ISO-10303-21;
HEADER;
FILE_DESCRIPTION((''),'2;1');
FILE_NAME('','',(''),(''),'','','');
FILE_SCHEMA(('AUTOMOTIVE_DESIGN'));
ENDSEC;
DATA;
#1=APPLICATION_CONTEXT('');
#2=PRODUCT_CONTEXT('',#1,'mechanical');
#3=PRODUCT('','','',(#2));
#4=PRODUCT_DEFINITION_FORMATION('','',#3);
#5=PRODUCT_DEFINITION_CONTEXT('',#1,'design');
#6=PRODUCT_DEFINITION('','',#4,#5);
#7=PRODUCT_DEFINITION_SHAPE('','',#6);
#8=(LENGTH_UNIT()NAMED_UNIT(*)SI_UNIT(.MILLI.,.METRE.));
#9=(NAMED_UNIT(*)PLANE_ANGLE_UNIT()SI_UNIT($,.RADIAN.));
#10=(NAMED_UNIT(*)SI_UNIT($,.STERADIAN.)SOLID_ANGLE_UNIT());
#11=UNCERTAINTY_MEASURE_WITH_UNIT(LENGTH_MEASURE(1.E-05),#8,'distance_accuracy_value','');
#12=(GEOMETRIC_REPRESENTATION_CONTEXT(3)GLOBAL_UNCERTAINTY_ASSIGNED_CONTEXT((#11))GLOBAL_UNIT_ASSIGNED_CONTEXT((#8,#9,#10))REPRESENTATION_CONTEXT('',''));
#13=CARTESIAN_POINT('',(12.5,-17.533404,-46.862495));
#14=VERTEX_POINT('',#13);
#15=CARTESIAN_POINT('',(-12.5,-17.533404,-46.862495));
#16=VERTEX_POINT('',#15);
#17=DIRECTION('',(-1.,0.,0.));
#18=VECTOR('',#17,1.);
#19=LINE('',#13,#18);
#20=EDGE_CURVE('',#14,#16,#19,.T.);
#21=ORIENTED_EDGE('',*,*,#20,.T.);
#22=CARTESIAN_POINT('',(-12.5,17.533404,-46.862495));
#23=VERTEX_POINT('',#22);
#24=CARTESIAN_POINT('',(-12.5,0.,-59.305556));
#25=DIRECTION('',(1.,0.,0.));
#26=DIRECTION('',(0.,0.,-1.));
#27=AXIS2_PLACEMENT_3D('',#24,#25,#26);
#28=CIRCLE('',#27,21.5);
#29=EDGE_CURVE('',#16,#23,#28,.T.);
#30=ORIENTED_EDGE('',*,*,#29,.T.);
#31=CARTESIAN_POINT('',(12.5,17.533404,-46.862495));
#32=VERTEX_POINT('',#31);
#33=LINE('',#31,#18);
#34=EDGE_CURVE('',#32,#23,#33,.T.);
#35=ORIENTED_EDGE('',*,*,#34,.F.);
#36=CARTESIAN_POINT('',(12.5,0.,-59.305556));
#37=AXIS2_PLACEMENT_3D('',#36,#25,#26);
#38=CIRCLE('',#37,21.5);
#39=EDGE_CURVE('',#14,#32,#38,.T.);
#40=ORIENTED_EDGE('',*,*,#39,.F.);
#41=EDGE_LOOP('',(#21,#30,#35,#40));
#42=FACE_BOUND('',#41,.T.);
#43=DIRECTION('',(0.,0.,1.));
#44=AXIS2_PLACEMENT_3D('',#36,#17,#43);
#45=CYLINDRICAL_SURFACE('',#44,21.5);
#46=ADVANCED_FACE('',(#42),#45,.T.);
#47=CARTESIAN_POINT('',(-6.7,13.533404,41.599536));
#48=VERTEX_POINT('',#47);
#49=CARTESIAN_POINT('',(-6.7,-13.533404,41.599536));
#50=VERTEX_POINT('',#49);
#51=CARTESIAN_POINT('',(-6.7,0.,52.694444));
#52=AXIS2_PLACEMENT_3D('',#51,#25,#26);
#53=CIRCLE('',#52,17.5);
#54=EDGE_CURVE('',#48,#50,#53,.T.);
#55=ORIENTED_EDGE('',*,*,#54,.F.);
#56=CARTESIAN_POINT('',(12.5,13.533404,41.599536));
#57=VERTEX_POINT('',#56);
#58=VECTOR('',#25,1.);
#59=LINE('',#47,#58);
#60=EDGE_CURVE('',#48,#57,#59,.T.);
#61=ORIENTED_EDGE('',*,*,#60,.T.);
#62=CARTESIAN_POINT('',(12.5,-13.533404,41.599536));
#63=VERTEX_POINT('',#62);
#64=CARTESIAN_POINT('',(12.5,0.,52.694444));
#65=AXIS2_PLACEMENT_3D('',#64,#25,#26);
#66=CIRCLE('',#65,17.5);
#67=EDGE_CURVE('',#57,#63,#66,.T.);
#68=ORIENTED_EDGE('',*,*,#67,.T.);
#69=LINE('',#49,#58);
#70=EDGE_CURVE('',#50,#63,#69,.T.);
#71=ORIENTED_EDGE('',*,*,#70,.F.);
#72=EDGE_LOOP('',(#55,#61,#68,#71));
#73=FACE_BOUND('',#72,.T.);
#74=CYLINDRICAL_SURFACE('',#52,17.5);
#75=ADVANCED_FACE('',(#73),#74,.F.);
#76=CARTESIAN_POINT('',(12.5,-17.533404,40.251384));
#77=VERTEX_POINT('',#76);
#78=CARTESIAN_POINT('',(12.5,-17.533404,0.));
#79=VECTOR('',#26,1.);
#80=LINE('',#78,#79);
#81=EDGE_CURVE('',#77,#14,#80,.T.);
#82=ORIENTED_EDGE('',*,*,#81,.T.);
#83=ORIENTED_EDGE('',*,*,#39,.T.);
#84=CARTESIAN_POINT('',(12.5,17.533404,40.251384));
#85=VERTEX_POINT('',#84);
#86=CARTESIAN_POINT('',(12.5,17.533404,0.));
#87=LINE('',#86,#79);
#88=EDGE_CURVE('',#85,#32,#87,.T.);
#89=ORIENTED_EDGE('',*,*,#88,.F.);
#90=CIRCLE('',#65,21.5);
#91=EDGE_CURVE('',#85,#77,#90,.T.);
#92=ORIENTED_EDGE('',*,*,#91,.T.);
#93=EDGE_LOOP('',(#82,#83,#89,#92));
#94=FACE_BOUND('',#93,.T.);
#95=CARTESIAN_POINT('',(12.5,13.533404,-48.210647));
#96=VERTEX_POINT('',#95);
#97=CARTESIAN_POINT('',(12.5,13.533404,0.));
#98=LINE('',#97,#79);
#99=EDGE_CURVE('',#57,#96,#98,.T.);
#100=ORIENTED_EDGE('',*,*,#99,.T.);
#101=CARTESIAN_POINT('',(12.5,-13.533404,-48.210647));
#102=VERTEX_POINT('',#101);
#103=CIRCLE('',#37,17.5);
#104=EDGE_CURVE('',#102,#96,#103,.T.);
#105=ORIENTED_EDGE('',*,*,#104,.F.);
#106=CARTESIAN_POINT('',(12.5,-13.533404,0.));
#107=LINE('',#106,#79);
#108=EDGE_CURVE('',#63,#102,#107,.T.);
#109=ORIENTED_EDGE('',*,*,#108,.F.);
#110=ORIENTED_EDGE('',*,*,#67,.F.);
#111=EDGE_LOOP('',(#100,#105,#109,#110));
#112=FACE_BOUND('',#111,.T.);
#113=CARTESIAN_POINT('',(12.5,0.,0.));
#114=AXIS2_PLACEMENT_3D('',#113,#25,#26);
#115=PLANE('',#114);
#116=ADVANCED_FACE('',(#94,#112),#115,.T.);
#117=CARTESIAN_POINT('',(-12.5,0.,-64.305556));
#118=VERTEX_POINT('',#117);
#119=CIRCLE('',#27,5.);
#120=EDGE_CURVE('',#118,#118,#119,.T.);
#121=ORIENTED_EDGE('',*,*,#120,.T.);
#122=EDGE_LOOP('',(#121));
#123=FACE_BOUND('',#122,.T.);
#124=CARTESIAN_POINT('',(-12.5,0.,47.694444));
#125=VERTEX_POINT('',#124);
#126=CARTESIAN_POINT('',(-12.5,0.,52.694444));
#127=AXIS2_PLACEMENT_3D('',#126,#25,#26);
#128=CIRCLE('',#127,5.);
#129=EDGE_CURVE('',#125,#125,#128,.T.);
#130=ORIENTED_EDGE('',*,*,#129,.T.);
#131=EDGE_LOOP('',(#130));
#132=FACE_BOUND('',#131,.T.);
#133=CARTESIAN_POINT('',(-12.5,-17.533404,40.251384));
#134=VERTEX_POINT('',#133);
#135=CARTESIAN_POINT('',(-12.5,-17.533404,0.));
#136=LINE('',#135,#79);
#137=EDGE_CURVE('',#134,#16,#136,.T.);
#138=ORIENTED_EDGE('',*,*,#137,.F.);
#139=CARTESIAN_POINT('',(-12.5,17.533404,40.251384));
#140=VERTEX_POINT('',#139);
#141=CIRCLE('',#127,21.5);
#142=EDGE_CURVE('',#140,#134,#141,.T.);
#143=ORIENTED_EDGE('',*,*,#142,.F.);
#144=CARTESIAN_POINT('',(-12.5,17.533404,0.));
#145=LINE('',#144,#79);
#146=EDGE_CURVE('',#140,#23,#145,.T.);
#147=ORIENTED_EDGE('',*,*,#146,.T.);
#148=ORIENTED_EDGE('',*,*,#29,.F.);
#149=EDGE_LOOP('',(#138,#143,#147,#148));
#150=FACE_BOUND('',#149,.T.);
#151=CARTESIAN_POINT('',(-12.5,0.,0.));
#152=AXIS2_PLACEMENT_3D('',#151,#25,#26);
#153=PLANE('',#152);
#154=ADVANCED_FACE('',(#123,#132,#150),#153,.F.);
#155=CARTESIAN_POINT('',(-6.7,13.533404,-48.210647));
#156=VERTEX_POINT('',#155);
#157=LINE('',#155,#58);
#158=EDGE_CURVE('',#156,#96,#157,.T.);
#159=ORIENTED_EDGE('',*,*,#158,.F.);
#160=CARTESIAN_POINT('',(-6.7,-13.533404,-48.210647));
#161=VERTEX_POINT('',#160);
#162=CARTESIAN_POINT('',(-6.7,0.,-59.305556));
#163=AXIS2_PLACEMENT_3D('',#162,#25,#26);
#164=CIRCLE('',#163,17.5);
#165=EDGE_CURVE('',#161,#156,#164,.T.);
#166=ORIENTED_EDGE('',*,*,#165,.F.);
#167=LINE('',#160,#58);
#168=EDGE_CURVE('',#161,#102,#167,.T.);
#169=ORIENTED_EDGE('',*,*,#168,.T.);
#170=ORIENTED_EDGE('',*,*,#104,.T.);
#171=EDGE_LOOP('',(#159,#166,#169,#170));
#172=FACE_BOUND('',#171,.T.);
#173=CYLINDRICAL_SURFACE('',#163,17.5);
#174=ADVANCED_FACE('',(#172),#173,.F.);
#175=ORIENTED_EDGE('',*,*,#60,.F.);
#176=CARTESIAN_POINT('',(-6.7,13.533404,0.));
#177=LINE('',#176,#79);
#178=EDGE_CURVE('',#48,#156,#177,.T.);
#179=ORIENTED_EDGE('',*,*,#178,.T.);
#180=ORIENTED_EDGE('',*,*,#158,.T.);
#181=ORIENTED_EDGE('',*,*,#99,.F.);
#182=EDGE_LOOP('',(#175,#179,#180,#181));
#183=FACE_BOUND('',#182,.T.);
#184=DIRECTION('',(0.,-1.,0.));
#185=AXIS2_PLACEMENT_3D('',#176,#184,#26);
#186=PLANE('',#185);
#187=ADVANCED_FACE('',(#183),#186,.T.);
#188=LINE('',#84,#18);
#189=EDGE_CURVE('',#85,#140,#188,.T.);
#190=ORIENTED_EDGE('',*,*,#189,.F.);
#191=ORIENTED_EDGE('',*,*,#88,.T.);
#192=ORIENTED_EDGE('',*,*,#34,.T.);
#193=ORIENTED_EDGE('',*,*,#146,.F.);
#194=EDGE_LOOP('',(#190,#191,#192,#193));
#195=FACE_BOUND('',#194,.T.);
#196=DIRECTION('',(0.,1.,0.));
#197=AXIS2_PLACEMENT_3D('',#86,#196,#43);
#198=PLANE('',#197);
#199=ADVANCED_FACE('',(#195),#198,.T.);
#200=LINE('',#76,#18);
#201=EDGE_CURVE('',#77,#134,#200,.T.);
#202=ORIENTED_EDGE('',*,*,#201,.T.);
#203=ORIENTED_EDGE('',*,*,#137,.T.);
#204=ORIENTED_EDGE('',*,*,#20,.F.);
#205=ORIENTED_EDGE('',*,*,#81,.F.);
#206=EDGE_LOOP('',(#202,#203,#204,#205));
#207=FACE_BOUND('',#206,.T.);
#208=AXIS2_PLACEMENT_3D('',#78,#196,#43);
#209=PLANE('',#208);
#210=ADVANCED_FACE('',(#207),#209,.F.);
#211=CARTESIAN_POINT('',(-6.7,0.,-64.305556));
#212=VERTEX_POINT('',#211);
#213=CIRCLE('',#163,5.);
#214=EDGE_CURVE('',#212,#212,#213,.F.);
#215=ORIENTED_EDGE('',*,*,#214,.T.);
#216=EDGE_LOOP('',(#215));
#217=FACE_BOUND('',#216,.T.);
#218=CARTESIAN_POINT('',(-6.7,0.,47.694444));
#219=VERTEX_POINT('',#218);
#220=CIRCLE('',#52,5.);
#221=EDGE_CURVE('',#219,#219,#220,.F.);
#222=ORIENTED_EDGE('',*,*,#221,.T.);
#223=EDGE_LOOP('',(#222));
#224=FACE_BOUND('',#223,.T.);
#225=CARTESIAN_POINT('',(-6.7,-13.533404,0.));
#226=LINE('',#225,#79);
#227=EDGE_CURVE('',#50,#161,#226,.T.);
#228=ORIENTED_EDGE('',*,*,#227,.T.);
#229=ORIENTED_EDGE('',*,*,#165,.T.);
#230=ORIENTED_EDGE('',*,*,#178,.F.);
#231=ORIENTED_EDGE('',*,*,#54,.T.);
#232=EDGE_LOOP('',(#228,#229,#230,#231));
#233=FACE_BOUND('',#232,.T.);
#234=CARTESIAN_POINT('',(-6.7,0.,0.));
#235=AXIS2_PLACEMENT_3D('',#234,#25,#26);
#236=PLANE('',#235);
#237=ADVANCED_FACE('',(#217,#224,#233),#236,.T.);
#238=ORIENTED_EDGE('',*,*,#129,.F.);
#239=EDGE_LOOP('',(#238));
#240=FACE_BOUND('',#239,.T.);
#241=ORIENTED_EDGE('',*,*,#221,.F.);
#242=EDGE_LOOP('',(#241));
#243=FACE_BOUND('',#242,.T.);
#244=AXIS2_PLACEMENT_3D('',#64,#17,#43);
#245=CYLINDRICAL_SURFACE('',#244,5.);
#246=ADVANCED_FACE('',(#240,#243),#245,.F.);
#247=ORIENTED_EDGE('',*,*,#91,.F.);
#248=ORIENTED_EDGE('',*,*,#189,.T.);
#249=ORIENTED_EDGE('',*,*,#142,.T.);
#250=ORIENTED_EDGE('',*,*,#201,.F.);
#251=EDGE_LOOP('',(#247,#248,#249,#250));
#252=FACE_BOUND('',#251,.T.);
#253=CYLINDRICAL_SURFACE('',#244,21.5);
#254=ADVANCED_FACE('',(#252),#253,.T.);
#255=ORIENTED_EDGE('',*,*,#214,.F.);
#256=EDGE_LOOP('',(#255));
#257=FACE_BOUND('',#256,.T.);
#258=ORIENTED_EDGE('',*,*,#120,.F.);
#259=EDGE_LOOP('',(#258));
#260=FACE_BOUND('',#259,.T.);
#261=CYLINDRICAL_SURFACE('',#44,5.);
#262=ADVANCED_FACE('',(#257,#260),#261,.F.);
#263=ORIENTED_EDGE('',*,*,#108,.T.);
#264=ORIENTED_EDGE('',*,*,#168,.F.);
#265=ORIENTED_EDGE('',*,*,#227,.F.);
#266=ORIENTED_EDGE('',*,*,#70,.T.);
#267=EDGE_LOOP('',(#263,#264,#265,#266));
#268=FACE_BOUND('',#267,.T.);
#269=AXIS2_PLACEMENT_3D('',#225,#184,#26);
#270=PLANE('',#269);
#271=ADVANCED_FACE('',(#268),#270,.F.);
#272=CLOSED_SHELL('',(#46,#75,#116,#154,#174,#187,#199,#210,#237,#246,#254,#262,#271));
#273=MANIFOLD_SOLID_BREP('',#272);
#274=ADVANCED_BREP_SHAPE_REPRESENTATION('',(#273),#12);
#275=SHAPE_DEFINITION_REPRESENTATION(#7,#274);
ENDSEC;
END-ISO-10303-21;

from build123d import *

# Parameters (mm, degrees)
CROQUIS1_R              = 5
SALIENTE_EXTRUIR1_DEPTH = 12.5
CORTAR_EXTRUIR1_START   = -19.2
CROQUIS2_R              = 5
CORTAR_EXTRUIR1_DEPTH   = 19.2


with BuildPart() as part:
    # Croquis1 → Saliente-Extruir1 (new, symmetric)
    # profile 1 of 5: a face of its own
    with BuildSketch(Plane(origin=(0, 0, 0), x_dir=(0, 0, -1), z_dir=(1, 0, 0))):
        with BuildLine():
            Line((-46.862494928, -17.533403612), (-46.862494928, 17.533403612))
            Line((-46.862494928, 17.533403612), (-40.251383817, 17.533403612))
            ThreePointArc((-40.251383817, 17.533403612), (-74.194444444, 0), (-40.251383817, -17.533403612))
            Line((-40.251383817, -17.533403612), (-46.862494928, -17.533403612))
        make_face()
        with Locations((-52.694444444, 0)):
            Circle(CROQUIS1_R, mode=Mode.SUBTRACT)
    # profile 2 of 5: a face of its own
    with BuildSketch(Plane(origin=(0, 0, 0), x_dir=(0, 0, -1), z_dir=(1, 0, 0))):
        with BuildLine():
            Line((-40.251383817, 17.533403612), (-46.862494928, 17.533403612))
            Line((-46.862494928, 17.533403612), (-46.862494928, -17.533403612))
            Line((-46.862494928, -17.533403612), (-40.251383817, -17.533403612))
            ThreePointArc((-40.251383817, -17.533403612), (-33.592405241, -9.867223432), (-31.194444444, 0))
            ThreePointArc((-31.194444444, 0), (-33.592405241, 9.867223432), (-40.251383817, 17.533403612))
        make_face()
    # profile 3 of 5: a face of its own
    with BuildSketch(Plane(origin=(0, 0, 0), x_dir=(0, 0, -1), z_dir=(1, 0, 0))):
        with BuildLine():
            Line((46.862494928, 17.533403612), (-40.251383817, 17.533403612))
            ThreePointArc((-40.251383817, 17.533403612), (-33.592405241, 9.867223432), (-31.194444444, 0))
            ThreePointArc((-31.194444444, 0), (-33.592405241, -9.867223432), (-40.251383817, -17.533403612))
            Line((-40.251383817, -17.533403612), (46.862494928, -17.533403612))
            ThreePointArc((46.862494928, -17.533403612), (37.805555556, 0), (46.862494928, 17.533403612))
        make_face()
    # profile 4 of 5: a face of its own
    with BuildSketch(Plane(origin=(0, 0, 0), x_dir=(0, 0, -1), z_dir=(1, 0, 0))):
        with BuildLine():
            Line((46.862494928, -17.533403612), (46.862494928, 17.533403612))
            ThreePointArc((46.862494928, 17.533403612), (37.805555556, 0), (46.862494928, -17.533403612))
        make_face()
    # profile 5 of 5: a face of its own
    with BuildSketch(Plane(origin=(0, 0, 0), x_dir=(0, 0, -1), z_dir=(1, 0, 0))):
        with BuildLine():
            ThreePointArc((80.805555556, 0), (69.172778987, 19.102039204), (46.862494928, 17.533403612))
            Line((46.862494928, 17.533403612), (46.862494928, -17.533403612))
            ThreePointArc((46.862494928, -17.533403612), (69.172778987, -19.102039204), (80.805555556, 0))
        make_face()
        with Locations((59.305555556, 0)):
            Circle(CROQUIS1_R, mode=Mode.SUBTRACT)
    extrude(amount=SALIENTE_EXTRUIR1_DEPTH, both=True)

    # Croquis2 → Cortar-Extruir1 (cut)
    # profile 1 of 7: a face of its own
    with BuildSketch(Plane(origin=(12.5, 0, 0), x_dir=(0, 0, -1), z_dir=(1, 0, 0)).offset(CORTAR_EXTRUIR1_START)):
        with BuildLine():
            Line((-61.940275078, -13.533403612), (-61.940275078, 13.533403612))
            Line((-61.940275078, 13.533403612), (-41.599536302, 13.533403612))
            ThreePointArc((-41.599536302, 13.533403612), (-70.194444444, 0), (-41.599536302, -13.533403612))
            Line((-41.599536302, -13.533403612), (-61.940275078, -13.533403612))
        make_face()
    # profile 2 of 7: a face of its own
    with BuildSketch(Plane(origin=(12.5, 0, 0), x_dir=(0, 0, -1), z_dir=(1, 0, 0)).offset(CORTAR_EXTRUIR1_START)):
        with BuildLine():
            Line((-41.599536302, 13.533403612), (-61.940275078, 13.533403612))
            Line((-61.940275078, 13.533403612), (-61.940275078, -13.533403612))
            Line((-61.940275078, -13.533403612), (-41.599536302, -13.533403612))
            ThreePointArc((-41.599536302, -13.533403612), (-36.876560697, -7.486291055), (-35.194444444, 0))
            ThreePointArc((-35.194444444, 0), (-36.876560697, 7.486291055), (-41.599536302, 13.533403612))
        make_face()
        with Locations((-52.694444444, 0)):
            Circle(CROQUIS2_R, mode=Mode.SUBTRACT)
    # profile 3 of 7: a face of its own
    with BuildSketch(Plane(origin=(12.5, 0, 0), x_dir=(0, 0, -1), z_dir=(1, 0, 0)).offset(CORTAR_EXTRUIR1_START)):
        with BuildLine():
            Line((48.210647414, 13.533403612), (-41.599536302, 13.533403612))
            ThreePointArc((-41.599536302, 13.533403612), (-36.876560697, 7.486291055), (-35.194444444, 0))
            ThreePointArc((-35.194444444, 0), (-36.876560697, -7.486291055), (-41.599536302, -13.533403612))
            Line((-41.599536302, -13.533403612), (48.210647414, -13.533403612))
            ThreePointArc((48.210647414, -13.533403612), (41.805555556, 0), (48.210647414, 13.533403612))
        make_face()
    # profile 4 of 7: a face of its own
    with BuildSketch(Plane(origin=(12.5, 0, 0), x_dir=(0, 0, -1), z_dir=(1, 0, 0)).offset(CORTAR_EXTRUIR1_START)):
        with BuildLine():
            ThreePointArc((76.805555556, 0), (66.79184661, 15.817883747), (48.210647414, 13.533403612))
            Line((48.210647414, 13.533403612), (61.940275078, 13.533403612))
            Line((61.940275078, 13.533403612), (61.940275078, 4.249500328))
            ThreePointArc((61.940275078, 4.249500328), (63.67439966, 2.431707465), (64.305555556, 0))
            ThreePointArc((64.305555556, 0), (63.67439966, -2.431707465), (61.940275078, -4.249500328))
            Line((61.940275078, -4.249500328), (61.940275078, -13.533403612))
            Line((61.940275078, -13.533403612), (48.210647414, -13.533403612))
            ThreePointArc((48.210647414, -13.533403612), (66.79184661, -15.817883747), (76.805555556, 0))
        make_face()
    # profile 5 of 7: a face of its own
    with BuildSketch(Plane(origin=(12.5, 0, 0), x_dir=(0, 0, -1), z_dir=(1, 0, 0)).offset(CORTAR_EXTRUIR1_START)):
        with BuildLine():
            Line((61.940275078, 13.533403612), (48.210647414, 13.533403612))
            ThreePointArc((48.210647414, 13.533403612), (41.805555556, 0), (48.210647414, -13.533403612))
            Line((48.210647414, -13.533403612), (61.940275078, -13.533403612))
            Line((61.940275078, -13.533403612), (61.940275078, -4.249500328))
            ThreePointArc((61.940275078, -4.249500328), (54.305555556, 0), (61.940275078, 4.249500328))
            Line((61.940275078, 4.249500328), (61.940275078, 13.533403612))
        make_face()
    # profile 6 of 7: a face of its own
    with BuildSketch(Plane(origin=(12.5, 0, 0), x_dir=(0, 0, -1), z_dir=(1, 0, 0)).offset(CORTAR_EXTRUIR1_START)):
        with BuildLine():
            ThreePointArc((76.805555556, 0), (66.79184661, 15.817883747), (48.210647414, 13.533403612))
            Line((48.210647414, 13.533403612), (61.940275078, 13.533403612))
            Line((61.940275078, 13.533403612), (61.940275078, 4.249500328))
            ThreePointArc((61.940275078, 4.249500328), (63.67439966, 2.431707465), (64.305555556, 0))
            ThreePointArc((64.305555556, 0), (63.67439966, -2.431707465), (61.940275078, -4.249500328))
            Line((61.940275078, -4.249500328), (61.940275078, -13.533403612))
            Line((61.940275078, -13.533403612), (48.210647414, -13.533403612))
            ThreePointArc((48.210647414, -13.533403612), (66.79184661, -15.817883747), (76.805555556, 0))
        make_face()
    # profile 7 of 7: a face of its own
    with BuildSketch(Plane(origin=(12.5, 0, 0), x_dir=(0, 0, -1), z_dir=(1, 0, 0)).offset(CORTAR_EXTRUIR1_START)):
        with BuildLine():
            Line((61.940275078, 13.533403612), (48.210647414, 13.533403612))
            ThreePointArc((48.210647414, 13.533403612), (41.805555556, 0), (48.210647414, -13.533403612))
            Line((48.210647414, -13.533403612), (61.940275078, -13.533403612))
            Line((61.940275078, -13.533403612), (61.940275078, -4.249500328))
            ThreePointArc((61.940275078, -4.249500328), (54.305555556, 0), (61.940275078, 4.249500328))
            Line((61.940275078, 4.249500328), (61.940275078, 13.533403612))
        make_face()
    extrude(amount=CORTAR_EXTRUIR1_DEPTH, mode=Mode.SUBTRACT)


solid = part.part
